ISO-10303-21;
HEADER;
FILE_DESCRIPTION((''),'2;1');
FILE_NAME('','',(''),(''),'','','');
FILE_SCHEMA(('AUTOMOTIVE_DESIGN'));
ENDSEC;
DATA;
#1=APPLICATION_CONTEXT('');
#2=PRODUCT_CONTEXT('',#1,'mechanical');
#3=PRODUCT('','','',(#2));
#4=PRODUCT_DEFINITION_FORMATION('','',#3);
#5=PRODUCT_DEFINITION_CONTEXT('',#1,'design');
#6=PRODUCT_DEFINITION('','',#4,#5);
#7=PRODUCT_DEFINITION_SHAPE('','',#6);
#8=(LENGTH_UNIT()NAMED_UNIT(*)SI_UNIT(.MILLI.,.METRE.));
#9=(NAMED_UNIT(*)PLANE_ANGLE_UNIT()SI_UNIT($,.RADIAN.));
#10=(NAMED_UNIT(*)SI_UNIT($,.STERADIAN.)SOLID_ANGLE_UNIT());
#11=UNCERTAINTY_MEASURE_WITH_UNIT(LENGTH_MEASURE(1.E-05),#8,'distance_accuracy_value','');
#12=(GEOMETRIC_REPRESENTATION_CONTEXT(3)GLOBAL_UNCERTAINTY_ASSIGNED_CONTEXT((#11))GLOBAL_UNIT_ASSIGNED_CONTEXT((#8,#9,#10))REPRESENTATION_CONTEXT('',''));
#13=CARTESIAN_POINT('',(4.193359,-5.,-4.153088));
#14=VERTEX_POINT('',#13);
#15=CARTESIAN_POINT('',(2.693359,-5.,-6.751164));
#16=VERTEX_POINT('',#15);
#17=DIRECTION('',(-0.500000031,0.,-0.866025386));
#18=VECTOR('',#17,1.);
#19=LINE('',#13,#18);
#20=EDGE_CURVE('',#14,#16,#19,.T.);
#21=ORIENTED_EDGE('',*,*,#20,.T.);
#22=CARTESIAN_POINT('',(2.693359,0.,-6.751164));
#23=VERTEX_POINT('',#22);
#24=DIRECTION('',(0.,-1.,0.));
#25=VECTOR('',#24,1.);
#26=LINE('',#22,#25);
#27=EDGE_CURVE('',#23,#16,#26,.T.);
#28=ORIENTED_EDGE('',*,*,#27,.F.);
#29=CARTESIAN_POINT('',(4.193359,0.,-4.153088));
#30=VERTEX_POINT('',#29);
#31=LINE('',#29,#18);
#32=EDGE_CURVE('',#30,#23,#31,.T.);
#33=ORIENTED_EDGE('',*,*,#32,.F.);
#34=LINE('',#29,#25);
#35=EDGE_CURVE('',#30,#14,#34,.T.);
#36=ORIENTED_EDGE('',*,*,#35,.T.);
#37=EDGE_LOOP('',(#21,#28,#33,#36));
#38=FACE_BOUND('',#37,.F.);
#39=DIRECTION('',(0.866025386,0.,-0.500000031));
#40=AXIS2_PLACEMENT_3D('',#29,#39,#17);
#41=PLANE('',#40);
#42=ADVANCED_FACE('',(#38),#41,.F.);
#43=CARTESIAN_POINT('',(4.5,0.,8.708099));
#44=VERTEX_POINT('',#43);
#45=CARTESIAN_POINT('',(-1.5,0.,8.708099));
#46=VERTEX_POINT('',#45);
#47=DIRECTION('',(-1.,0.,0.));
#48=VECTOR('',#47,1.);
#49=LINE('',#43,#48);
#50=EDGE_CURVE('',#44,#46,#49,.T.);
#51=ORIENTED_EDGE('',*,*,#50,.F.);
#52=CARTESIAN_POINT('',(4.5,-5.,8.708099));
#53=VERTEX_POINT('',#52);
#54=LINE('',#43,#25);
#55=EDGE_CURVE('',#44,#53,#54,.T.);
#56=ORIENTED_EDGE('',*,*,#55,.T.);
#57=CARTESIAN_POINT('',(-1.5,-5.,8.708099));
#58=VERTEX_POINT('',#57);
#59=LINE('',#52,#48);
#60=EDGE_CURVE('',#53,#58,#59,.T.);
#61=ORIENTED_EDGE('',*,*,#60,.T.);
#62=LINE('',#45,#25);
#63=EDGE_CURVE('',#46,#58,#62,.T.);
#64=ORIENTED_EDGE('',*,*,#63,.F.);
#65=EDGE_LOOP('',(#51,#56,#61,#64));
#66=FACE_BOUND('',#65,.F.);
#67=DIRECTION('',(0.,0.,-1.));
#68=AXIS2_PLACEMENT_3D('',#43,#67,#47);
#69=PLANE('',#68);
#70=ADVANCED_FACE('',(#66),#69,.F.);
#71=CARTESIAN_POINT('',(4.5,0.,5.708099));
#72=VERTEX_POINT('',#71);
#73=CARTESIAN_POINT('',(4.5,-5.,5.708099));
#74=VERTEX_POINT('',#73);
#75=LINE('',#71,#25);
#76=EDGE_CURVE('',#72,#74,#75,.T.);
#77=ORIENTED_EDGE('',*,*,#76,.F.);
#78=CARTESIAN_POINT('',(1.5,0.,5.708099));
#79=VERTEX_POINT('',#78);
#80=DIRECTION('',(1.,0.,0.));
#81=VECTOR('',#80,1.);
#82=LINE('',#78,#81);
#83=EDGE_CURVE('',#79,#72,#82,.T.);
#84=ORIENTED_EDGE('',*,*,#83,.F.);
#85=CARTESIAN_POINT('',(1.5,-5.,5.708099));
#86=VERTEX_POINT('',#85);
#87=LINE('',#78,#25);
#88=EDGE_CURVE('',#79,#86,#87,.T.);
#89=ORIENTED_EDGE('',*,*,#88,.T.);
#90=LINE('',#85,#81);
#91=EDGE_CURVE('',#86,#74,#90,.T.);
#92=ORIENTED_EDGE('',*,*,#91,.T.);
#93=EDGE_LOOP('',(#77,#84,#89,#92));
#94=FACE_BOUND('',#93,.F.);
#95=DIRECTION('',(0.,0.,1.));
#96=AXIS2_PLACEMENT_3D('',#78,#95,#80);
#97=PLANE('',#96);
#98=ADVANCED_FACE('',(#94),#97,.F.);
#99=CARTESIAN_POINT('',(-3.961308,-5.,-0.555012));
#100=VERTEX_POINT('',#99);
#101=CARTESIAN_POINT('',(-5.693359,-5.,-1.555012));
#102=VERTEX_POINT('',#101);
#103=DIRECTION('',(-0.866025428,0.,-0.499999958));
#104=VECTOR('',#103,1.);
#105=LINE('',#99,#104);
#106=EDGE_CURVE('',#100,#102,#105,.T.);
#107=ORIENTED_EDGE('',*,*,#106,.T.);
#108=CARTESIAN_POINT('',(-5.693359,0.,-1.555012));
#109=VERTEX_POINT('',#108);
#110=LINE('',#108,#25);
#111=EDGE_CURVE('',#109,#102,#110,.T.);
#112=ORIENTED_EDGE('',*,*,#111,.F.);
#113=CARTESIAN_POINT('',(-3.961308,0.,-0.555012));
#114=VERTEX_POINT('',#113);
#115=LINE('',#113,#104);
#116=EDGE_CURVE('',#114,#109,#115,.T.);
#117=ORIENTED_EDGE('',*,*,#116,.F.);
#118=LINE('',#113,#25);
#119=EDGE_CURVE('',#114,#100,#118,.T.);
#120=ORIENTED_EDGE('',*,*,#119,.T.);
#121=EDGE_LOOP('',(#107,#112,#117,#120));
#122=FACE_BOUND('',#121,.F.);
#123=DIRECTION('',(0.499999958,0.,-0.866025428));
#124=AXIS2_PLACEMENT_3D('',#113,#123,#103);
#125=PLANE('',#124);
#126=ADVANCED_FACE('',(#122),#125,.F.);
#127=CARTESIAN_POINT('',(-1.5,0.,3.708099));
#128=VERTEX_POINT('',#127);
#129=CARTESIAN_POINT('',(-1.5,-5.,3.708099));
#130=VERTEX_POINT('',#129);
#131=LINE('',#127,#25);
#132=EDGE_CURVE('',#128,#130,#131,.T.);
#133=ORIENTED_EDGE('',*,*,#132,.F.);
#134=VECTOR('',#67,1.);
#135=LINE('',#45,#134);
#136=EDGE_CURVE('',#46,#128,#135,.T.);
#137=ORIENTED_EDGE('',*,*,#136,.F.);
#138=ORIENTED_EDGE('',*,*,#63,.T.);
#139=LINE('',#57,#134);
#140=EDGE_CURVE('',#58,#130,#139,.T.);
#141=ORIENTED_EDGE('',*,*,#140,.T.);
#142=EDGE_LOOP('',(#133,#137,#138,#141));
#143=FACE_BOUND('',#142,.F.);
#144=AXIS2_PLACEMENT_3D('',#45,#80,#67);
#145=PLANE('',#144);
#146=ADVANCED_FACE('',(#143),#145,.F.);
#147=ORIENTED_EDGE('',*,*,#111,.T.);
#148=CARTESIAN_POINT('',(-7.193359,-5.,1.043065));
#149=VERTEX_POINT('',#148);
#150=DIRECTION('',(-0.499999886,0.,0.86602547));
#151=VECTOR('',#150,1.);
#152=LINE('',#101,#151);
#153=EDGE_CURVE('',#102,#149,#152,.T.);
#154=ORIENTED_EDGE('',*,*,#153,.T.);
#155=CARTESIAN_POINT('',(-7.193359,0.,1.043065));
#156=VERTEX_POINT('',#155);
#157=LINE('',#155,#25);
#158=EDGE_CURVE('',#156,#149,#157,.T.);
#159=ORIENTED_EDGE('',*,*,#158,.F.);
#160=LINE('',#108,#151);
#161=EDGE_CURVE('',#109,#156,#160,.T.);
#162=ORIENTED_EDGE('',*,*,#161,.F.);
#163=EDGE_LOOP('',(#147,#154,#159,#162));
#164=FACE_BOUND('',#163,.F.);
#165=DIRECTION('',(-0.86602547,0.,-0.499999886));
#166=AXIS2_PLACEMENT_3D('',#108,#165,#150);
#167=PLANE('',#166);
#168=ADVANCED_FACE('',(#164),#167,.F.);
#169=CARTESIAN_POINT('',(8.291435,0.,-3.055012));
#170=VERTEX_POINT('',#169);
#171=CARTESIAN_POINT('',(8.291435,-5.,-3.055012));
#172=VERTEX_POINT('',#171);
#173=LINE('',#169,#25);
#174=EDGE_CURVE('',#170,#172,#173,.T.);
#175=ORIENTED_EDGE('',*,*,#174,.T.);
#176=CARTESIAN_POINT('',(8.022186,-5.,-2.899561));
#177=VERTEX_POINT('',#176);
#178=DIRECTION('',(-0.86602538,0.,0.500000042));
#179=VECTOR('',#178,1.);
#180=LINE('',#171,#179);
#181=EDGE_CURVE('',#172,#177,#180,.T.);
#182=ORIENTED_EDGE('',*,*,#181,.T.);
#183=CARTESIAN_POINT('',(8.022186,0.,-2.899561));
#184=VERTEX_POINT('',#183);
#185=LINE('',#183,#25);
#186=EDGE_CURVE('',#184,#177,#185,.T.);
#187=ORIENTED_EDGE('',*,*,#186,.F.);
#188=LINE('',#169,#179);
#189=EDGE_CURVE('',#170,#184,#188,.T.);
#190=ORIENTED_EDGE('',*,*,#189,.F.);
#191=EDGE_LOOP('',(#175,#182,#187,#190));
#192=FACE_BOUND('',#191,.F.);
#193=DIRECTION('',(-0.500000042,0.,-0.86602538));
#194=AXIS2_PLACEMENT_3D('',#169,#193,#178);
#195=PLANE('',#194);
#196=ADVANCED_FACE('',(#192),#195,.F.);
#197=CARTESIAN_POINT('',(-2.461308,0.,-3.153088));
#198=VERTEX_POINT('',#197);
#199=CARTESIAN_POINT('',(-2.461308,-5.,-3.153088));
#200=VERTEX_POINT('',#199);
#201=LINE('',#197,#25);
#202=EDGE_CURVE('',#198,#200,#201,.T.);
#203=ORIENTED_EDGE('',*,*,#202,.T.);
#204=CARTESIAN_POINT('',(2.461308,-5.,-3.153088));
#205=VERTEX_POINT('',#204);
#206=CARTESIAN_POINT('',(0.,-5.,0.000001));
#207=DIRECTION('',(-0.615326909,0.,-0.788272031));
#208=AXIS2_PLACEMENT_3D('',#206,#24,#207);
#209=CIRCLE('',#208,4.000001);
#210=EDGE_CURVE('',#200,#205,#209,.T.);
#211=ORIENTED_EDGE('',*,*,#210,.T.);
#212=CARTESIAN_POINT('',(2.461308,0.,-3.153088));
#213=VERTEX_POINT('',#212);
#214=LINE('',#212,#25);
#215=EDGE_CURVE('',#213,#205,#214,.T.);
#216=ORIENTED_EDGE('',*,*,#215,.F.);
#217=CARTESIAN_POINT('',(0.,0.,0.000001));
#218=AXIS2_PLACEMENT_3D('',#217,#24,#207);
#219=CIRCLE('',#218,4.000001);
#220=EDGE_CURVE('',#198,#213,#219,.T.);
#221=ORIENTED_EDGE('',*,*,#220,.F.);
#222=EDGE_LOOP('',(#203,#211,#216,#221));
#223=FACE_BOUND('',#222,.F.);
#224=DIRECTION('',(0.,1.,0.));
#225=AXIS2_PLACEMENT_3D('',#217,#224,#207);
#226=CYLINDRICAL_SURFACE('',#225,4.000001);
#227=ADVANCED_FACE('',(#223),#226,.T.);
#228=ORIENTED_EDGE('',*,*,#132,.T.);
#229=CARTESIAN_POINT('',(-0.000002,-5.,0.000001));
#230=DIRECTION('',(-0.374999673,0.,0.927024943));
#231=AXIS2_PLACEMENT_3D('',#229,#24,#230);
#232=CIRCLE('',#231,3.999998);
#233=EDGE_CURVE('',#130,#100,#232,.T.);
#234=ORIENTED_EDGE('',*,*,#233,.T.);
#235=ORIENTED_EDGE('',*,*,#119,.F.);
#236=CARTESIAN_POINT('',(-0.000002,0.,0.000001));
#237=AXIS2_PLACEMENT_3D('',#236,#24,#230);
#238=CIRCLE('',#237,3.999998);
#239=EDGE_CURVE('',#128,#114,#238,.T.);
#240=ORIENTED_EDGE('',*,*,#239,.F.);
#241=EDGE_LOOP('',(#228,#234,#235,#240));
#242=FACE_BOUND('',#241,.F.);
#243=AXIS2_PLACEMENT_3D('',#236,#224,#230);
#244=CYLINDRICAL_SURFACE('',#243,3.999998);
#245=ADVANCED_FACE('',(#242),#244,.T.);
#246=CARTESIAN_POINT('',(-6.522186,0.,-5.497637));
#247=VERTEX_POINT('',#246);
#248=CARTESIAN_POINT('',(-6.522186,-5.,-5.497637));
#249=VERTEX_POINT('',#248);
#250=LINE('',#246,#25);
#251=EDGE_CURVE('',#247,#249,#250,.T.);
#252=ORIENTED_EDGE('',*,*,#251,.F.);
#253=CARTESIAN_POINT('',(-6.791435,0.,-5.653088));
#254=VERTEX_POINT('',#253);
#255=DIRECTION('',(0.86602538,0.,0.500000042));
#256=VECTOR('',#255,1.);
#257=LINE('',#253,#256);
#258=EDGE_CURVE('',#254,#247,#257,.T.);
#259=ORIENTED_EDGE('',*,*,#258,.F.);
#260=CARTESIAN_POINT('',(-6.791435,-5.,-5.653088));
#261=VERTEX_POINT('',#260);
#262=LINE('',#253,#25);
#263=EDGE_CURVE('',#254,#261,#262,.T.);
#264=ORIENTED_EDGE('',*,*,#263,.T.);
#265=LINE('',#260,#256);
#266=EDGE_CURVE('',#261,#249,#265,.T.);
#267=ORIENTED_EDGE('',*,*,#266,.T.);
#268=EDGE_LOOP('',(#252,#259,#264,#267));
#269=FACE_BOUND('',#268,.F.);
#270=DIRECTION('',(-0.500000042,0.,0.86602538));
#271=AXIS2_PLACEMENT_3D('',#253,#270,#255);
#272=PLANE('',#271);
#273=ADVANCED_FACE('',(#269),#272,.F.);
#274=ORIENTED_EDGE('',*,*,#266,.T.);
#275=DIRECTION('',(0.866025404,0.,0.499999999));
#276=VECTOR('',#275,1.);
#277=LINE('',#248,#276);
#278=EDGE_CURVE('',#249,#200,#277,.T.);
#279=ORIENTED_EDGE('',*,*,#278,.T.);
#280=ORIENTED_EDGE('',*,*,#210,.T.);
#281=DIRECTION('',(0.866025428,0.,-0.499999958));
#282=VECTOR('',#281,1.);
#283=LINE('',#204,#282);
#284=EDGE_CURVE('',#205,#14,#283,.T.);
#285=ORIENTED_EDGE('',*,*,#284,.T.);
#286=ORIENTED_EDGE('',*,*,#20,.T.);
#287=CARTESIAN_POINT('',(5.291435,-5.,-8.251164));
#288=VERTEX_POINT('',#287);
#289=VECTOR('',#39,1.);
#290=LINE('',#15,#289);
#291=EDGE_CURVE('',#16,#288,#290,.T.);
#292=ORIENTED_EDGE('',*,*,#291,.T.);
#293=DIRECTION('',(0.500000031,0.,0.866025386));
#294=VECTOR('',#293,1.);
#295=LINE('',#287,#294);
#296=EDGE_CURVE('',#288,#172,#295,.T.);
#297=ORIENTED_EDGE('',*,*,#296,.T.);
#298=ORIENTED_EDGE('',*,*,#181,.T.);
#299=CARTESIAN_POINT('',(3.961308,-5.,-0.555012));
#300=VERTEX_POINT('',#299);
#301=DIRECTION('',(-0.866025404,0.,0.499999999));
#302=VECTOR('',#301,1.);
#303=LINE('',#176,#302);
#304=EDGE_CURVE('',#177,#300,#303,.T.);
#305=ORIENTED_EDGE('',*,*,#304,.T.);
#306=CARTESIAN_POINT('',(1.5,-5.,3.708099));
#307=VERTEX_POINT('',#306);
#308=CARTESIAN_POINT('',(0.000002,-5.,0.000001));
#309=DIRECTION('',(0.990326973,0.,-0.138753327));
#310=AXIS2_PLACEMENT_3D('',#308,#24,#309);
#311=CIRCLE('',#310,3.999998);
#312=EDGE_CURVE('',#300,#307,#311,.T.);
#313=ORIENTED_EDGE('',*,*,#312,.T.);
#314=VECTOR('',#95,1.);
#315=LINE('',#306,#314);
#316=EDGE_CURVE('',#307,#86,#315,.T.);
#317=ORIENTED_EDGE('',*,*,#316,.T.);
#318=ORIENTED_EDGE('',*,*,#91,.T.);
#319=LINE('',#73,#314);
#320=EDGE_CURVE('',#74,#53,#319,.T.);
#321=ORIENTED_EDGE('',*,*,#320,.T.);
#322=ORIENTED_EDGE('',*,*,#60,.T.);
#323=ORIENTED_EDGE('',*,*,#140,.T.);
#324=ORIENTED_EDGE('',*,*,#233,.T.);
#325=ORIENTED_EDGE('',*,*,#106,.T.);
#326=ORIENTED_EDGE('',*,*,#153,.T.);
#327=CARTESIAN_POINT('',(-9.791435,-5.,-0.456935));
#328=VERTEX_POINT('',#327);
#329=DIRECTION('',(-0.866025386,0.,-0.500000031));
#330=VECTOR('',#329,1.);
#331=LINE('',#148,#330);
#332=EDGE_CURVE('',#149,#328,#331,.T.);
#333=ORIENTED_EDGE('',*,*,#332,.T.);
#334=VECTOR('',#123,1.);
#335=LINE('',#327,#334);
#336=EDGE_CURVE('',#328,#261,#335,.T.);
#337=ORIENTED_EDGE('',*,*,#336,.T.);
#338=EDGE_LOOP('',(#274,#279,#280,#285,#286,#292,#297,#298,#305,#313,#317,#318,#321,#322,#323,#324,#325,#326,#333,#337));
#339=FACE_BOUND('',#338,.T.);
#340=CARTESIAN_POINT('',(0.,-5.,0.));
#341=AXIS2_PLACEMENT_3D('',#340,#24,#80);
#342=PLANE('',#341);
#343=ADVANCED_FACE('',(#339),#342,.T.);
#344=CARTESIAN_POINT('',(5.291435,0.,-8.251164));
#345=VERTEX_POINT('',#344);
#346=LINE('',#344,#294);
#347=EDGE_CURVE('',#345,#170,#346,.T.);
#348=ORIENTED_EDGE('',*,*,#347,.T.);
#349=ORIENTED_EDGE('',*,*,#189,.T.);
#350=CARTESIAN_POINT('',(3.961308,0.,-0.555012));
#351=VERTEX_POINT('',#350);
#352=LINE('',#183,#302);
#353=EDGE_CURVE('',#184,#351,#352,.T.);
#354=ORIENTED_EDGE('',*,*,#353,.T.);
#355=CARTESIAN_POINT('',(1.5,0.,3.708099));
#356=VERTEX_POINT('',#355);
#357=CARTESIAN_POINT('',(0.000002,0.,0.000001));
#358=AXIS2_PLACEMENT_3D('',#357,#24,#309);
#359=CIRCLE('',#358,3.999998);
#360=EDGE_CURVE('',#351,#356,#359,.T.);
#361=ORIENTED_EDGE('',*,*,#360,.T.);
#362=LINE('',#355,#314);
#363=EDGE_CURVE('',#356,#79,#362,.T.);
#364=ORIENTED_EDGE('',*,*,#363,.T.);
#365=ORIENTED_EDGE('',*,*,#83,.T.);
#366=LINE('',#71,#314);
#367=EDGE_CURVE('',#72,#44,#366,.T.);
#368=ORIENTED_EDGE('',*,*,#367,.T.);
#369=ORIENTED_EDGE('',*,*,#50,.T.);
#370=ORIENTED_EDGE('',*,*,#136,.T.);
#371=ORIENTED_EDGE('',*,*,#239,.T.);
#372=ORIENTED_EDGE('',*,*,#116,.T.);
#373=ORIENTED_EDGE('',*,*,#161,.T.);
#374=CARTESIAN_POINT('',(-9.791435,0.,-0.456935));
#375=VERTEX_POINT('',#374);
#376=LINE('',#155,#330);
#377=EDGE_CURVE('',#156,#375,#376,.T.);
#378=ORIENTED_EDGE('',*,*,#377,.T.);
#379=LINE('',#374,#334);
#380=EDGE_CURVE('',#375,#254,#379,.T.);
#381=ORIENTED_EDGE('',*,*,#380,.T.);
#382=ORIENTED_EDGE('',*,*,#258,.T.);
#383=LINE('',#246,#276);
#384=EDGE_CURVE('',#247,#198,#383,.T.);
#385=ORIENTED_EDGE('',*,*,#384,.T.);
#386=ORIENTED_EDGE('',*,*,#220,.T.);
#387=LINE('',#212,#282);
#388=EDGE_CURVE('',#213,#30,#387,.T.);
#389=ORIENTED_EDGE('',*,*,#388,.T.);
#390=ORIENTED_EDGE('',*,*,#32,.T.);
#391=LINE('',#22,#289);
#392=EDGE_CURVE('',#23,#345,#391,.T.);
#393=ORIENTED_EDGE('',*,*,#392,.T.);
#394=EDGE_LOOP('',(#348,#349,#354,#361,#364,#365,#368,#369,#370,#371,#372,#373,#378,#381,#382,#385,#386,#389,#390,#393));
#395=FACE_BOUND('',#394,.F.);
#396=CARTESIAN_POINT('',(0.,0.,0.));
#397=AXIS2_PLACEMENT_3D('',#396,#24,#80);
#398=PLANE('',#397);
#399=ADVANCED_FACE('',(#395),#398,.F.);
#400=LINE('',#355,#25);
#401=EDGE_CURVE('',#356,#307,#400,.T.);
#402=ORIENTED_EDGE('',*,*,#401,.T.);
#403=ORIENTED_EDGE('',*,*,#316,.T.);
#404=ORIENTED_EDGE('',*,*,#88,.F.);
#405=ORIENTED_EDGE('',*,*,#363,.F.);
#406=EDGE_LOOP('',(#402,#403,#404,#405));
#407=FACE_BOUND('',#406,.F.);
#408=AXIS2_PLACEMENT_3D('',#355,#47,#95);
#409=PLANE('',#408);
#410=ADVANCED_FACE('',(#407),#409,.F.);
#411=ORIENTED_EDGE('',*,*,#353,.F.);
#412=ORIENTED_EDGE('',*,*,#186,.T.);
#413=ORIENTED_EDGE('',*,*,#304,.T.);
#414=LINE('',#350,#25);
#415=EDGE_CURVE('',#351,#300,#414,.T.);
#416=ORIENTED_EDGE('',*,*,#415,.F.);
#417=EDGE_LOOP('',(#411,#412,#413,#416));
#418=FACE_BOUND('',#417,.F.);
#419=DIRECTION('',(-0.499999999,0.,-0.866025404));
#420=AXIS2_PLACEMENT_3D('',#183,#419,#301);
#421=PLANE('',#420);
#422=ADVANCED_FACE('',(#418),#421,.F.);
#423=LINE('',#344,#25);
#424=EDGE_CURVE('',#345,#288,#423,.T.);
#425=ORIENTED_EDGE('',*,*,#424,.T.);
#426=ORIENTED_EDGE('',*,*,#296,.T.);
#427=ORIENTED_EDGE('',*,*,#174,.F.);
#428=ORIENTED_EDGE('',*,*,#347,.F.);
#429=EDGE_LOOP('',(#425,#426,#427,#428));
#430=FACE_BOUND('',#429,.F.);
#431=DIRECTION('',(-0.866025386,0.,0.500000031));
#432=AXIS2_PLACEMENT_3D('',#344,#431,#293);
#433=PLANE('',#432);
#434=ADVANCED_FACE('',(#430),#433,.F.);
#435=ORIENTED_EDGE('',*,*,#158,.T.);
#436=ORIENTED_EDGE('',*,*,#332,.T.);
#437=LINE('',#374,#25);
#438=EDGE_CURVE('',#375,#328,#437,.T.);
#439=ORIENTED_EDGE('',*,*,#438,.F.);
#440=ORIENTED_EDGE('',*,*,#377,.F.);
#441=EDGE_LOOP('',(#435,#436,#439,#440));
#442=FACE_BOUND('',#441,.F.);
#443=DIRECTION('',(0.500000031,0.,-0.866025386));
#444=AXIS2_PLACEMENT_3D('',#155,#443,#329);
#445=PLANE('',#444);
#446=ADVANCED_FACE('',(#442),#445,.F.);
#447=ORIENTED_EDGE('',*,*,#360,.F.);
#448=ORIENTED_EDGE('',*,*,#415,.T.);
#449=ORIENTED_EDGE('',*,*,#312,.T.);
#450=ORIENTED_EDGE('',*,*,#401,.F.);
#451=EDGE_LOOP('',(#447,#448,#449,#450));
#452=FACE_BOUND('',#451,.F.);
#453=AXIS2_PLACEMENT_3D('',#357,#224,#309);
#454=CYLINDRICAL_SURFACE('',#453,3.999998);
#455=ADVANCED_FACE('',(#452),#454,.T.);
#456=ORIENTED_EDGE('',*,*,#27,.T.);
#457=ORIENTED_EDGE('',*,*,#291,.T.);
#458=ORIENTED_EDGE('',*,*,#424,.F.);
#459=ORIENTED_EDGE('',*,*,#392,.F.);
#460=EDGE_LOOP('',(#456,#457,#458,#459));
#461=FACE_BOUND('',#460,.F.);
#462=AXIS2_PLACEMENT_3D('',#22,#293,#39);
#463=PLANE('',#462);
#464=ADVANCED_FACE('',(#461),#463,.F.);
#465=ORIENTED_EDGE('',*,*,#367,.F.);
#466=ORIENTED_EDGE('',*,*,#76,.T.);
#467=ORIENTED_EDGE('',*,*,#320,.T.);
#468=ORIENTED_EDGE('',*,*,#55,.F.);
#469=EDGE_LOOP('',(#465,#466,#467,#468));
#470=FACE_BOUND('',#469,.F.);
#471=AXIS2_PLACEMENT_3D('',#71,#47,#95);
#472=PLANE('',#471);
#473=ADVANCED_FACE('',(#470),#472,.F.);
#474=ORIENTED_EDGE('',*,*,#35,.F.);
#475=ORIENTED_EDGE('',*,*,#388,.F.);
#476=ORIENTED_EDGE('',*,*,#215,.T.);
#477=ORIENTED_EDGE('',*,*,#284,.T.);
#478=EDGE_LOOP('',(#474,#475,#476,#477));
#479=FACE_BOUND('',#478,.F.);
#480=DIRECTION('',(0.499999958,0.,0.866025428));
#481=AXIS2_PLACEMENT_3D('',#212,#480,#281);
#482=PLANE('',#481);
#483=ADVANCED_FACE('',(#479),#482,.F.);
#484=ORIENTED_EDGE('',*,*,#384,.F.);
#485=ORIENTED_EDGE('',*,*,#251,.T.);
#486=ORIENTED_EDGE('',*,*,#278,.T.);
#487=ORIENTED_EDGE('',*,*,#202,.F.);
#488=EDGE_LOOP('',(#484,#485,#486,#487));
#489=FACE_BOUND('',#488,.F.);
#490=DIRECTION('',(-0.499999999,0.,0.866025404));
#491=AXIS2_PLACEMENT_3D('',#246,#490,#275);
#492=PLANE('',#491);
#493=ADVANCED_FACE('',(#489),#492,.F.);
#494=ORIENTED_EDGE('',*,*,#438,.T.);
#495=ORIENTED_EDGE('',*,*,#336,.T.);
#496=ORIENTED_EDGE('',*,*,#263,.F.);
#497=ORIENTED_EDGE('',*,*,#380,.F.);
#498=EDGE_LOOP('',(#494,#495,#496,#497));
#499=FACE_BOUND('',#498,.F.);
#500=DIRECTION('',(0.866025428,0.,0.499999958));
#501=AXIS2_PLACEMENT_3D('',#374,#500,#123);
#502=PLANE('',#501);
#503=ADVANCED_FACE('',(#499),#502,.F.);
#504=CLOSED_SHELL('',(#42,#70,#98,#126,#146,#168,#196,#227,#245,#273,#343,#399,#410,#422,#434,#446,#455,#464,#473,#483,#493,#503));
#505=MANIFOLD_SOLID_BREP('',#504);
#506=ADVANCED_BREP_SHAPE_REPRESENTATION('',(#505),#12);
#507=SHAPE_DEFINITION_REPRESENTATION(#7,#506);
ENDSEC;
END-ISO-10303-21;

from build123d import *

# Parameters (mm, degrees)
F1_DEPTH = 5


with BuildPart() as f1:
    # F0 (on Front) → F1 (new body)
    with BuildSketch(Plane.XZ):
        with BuildLine():
            Line((-1.5, 8.397197), (-1.5, 3.708099))
            ThreePointArc((-1.5, 3.708099), (-3.464102, 2), (-3.961308, -0.555012))
            Line((-3.961308, -0.555012), (-5.693359, -1.555012))
            Line((-5.693359, -1.555012), (-7.193359, 1.043065))
            Line((-7.193359, 1.043065), (-9.791435, -0.456935))
            Line((-9.791435, -0.456935), (-6.791435, -5.653088))
            Line((-6.791435, -5.653088), (-6.522186, -5.497637))
            Line((-6.522186, -5.497637), (-2.461308, -3.153088))
            ThreePointArc((-2.461308, -3.153088), (0, -4), (2.461308, -3.153088))
            Line((2.461308, -3.153088), (4.193359, -4.153088))
            Line((4.193359, -4.153088), (2.693359, -6.751164))
            Line((2.693359, -6.751164), (5.291435, -8.251164))
            Line((5.291435, -8.251164), (8.291435, -3.055012))
            Line((8.291435, -3.055012), (8.022186, -2.899561))
            Line((8.022186, -2.899561), (3.961308, -0.555012))
            ThreePointArc((3.961308, -0.555012), (3.464102, 2), (1.5, 3.708099))
            Line((1.5, 3.708099), (1.5, 5.708099))
            Line((1.5, 5.708099), (4.5, 5.708099))
            Line((4.5, 5.708099), (4.5, 8.708099))
            Line((4.5, 8.708099), (-1.5, 8.708099))
            Line((-1.5, 8.708099), (-1.5, 8.397197))
        make_face()
    extrude(amount=F1_DEPTH)


solid = f1.part
